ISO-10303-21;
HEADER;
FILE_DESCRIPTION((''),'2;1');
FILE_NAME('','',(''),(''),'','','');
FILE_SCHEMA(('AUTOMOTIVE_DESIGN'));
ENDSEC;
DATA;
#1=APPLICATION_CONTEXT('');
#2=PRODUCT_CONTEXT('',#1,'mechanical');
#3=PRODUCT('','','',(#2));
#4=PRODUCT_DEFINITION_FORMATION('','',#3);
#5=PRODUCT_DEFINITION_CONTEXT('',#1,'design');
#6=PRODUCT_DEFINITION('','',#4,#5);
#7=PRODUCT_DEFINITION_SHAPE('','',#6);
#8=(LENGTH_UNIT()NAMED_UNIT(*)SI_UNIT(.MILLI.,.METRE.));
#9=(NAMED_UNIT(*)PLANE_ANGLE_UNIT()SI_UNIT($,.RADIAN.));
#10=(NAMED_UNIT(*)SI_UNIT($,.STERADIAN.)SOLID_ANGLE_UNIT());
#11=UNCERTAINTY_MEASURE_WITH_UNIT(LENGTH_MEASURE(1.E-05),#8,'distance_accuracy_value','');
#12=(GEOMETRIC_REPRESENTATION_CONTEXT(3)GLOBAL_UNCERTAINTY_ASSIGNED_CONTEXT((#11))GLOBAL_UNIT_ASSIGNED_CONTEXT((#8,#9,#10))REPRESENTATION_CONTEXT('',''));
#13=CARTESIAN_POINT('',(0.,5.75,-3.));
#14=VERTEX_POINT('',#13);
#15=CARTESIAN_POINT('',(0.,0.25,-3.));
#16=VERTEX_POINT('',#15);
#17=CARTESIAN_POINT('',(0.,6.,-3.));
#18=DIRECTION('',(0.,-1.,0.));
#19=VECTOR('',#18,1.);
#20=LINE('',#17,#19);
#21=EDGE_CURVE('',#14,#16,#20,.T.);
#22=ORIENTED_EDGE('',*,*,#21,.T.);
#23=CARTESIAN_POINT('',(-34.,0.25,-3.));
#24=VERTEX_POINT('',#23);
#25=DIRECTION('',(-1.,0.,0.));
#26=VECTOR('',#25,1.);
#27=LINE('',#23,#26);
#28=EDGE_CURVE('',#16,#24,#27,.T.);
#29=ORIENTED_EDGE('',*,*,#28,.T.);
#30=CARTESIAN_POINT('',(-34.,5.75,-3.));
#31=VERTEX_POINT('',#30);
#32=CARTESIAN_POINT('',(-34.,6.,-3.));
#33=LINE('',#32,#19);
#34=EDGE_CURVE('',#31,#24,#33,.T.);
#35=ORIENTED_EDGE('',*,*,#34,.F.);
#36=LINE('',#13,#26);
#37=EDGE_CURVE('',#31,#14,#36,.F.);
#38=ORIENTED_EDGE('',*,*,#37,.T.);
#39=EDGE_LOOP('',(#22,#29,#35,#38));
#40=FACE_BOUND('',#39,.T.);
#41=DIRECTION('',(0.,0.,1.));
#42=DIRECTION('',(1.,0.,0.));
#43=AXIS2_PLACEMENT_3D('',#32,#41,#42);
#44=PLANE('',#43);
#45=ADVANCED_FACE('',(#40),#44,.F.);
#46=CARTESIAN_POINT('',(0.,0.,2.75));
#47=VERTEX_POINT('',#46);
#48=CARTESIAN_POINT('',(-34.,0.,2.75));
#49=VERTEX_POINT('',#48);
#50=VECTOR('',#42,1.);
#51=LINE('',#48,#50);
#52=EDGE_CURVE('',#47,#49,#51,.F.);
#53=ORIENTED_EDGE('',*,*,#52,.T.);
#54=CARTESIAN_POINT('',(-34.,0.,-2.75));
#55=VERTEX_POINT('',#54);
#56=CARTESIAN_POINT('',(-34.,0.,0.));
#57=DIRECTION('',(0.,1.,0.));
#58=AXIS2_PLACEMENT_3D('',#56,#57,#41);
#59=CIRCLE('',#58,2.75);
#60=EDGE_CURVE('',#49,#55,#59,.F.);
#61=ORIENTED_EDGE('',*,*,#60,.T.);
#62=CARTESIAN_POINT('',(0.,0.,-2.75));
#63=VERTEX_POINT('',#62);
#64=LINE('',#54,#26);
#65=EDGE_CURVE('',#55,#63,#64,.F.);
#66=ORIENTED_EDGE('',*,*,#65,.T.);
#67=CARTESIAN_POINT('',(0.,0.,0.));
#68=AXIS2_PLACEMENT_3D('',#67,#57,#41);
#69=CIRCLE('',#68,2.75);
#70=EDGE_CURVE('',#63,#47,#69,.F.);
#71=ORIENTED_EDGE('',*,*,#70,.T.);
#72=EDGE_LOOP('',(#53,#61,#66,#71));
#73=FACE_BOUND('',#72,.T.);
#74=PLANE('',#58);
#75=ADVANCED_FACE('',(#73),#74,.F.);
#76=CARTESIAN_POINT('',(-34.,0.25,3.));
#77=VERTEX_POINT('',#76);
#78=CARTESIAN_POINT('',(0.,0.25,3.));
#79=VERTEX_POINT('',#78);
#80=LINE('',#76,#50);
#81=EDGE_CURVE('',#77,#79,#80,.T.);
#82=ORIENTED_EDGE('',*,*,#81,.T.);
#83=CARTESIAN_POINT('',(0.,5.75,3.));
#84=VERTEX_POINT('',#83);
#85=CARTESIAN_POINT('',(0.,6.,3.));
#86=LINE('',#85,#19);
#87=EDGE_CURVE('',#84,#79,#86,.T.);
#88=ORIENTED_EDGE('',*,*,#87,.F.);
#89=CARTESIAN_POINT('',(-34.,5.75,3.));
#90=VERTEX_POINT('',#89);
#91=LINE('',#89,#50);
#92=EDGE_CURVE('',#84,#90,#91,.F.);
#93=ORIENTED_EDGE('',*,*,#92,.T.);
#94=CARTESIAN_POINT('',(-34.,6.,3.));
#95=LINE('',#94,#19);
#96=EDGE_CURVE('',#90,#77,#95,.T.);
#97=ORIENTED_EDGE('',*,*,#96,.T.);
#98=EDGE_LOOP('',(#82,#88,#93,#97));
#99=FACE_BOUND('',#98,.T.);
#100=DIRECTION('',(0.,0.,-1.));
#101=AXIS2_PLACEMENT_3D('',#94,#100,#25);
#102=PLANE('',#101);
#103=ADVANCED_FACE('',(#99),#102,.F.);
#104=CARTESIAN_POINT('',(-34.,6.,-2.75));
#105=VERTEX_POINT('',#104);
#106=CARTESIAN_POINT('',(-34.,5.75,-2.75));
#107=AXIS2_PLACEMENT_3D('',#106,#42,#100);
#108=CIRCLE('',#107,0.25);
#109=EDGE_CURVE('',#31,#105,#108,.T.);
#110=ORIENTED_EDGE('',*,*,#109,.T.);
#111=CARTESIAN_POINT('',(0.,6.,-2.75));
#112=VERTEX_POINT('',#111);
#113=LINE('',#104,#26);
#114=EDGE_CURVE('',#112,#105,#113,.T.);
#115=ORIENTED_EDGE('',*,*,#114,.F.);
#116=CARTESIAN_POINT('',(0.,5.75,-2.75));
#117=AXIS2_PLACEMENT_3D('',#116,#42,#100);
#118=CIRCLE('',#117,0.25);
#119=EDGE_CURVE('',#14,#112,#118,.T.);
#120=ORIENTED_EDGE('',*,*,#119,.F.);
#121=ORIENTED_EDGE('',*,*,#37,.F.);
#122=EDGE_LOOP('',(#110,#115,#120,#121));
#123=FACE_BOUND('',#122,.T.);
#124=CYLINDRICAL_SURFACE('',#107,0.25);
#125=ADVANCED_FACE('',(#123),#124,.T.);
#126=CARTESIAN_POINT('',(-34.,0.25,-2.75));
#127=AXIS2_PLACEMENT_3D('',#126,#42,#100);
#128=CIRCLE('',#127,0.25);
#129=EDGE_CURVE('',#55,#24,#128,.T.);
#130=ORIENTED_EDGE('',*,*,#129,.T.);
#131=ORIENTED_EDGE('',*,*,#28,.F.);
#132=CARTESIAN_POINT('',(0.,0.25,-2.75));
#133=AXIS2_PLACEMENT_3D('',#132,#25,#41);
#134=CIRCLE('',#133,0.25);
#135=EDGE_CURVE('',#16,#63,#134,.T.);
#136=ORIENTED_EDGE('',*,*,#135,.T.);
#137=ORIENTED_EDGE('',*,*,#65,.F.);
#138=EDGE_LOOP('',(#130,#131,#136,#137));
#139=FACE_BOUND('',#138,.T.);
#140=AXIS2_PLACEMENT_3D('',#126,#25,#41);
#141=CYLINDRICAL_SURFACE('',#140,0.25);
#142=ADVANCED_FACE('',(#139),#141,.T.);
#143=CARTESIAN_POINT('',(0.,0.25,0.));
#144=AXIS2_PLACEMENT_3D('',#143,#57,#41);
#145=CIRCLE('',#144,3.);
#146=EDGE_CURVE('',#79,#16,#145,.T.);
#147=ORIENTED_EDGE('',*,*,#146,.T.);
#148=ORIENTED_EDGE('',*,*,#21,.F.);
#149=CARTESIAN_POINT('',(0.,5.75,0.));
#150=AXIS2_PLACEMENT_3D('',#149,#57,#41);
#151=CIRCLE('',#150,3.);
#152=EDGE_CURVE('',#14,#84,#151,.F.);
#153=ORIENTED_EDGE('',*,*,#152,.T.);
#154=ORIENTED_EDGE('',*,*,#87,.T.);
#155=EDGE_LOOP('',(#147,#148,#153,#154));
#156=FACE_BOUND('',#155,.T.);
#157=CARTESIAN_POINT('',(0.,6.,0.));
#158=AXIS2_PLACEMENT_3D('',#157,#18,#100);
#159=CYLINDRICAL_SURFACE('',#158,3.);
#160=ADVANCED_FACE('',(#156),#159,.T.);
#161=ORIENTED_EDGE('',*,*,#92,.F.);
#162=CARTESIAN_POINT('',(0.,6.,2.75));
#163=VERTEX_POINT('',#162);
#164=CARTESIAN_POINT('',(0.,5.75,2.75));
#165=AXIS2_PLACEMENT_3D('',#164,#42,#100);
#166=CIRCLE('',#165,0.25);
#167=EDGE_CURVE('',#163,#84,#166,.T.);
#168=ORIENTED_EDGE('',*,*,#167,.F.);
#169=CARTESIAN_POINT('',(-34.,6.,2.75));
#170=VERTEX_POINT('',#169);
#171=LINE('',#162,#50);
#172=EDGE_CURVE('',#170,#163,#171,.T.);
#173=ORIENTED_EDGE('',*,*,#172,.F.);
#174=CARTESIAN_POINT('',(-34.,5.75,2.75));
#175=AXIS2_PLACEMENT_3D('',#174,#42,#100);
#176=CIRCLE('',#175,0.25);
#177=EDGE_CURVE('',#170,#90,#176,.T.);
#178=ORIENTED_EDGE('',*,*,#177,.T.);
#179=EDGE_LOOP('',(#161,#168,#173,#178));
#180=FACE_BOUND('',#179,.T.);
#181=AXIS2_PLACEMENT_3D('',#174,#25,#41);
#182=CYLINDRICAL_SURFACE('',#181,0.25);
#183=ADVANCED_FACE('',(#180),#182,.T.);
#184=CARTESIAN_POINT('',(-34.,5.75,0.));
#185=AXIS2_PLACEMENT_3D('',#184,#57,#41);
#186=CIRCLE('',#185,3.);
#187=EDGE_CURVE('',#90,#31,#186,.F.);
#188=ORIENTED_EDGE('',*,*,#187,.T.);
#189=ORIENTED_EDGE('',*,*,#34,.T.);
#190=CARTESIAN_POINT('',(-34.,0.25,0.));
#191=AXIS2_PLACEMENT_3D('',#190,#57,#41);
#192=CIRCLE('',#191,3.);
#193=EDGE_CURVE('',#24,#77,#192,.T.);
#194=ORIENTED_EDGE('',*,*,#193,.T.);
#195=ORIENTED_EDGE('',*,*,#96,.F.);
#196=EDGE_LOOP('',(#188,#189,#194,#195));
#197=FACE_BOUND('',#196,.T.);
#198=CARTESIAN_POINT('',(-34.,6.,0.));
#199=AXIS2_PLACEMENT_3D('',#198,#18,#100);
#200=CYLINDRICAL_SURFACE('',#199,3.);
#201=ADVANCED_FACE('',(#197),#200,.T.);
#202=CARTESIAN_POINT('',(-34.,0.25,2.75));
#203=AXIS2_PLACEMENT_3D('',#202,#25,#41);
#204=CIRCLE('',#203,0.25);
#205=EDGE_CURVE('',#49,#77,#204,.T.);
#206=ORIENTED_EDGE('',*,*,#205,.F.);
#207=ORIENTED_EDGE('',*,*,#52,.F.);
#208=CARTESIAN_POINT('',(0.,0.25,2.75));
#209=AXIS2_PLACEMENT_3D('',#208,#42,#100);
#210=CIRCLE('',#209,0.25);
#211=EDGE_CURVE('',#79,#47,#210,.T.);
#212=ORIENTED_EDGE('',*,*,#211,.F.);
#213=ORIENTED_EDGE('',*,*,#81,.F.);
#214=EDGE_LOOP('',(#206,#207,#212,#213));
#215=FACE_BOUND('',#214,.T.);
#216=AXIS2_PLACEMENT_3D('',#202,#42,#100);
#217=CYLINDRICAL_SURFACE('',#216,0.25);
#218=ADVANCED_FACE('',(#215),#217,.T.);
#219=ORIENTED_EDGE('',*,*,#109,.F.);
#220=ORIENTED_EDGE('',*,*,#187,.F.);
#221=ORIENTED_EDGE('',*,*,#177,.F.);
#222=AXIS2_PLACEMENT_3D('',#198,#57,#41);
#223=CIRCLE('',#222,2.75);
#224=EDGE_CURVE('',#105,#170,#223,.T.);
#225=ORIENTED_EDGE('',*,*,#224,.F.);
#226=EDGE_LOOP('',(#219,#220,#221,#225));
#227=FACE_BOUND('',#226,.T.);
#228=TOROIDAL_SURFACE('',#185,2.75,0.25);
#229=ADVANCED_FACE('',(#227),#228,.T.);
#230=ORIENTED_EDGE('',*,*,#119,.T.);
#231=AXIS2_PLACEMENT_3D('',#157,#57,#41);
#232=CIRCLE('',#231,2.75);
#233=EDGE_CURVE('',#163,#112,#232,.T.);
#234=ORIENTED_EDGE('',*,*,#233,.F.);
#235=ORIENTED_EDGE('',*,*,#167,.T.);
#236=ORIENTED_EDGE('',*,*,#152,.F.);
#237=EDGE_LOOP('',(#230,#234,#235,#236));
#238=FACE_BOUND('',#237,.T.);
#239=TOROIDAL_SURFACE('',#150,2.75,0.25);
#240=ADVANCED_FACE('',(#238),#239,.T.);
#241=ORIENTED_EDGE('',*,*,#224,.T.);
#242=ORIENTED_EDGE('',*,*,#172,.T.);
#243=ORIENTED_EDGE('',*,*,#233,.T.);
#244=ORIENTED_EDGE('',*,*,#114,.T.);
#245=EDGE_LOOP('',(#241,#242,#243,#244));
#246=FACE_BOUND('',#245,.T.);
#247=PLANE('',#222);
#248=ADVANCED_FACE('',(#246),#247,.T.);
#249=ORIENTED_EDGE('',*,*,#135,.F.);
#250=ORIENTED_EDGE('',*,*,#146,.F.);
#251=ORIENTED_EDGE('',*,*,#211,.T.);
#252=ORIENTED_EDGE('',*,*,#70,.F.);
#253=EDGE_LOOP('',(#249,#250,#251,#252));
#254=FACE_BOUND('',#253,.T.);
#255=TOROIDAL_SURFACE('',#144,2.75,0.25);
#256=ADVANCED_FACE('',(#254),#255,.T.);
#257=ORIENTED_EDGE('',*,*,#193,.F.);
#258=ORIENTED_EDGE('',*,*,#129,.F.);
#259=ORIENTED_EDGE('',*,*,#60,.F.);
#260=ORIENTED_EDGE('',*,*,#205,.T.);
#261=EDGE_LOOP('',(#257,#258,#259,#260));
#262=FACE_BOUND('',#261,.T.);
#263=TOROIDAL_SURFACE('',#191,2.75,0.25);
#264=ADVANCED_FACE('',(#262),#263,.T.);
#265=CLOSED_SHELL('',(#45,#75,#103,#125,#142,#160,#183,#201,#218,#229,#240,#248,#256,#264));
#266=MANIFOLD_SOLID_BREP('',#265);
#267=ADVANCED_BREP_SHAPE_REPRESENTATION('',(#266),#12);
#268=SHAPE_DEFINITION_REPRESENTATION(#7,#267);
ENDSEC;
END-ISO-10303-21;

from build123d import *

# Parameters (mm, degrees)
EXTRUDE1_DEPTH = 6
FILLET1_R      = 0.25


with BuildPart() as part:
    # Sketch1 → Extrude1 (new body)
    with BuildSketch(Plane(origin=(0, 0, 0), x_dir=(1, 0, 0), z_dir=(0, 1, 0))):
        with BuildLine():
            Line((-34, 3), (0, 3))
            ThreePointArc((0, 3), (3, 0), (0, -3))
            Line((0, -3), (-34, -3))
            ThreePointArc((-34, -3), (-37, 0), (-34, 3))
        make_face()
    extrude(amount=EXTRUDE1_DEPTH)

    # Fillet1
    fillet1_edges = [part.edges().sort_by_distance(p)[0] for p in [
        (3, 6, 0),
        (-17, 6, -3),
        (-37, 6, 0),
        (-17, 0, -3),
        (3, 0, 0),
        (-17, 0, 3),
        (-37, 0, 0),
        (-17, 6, 3),
    ]]
    fillet(fillet1_edges, radius=FILLET1_R)


solid = part.part
